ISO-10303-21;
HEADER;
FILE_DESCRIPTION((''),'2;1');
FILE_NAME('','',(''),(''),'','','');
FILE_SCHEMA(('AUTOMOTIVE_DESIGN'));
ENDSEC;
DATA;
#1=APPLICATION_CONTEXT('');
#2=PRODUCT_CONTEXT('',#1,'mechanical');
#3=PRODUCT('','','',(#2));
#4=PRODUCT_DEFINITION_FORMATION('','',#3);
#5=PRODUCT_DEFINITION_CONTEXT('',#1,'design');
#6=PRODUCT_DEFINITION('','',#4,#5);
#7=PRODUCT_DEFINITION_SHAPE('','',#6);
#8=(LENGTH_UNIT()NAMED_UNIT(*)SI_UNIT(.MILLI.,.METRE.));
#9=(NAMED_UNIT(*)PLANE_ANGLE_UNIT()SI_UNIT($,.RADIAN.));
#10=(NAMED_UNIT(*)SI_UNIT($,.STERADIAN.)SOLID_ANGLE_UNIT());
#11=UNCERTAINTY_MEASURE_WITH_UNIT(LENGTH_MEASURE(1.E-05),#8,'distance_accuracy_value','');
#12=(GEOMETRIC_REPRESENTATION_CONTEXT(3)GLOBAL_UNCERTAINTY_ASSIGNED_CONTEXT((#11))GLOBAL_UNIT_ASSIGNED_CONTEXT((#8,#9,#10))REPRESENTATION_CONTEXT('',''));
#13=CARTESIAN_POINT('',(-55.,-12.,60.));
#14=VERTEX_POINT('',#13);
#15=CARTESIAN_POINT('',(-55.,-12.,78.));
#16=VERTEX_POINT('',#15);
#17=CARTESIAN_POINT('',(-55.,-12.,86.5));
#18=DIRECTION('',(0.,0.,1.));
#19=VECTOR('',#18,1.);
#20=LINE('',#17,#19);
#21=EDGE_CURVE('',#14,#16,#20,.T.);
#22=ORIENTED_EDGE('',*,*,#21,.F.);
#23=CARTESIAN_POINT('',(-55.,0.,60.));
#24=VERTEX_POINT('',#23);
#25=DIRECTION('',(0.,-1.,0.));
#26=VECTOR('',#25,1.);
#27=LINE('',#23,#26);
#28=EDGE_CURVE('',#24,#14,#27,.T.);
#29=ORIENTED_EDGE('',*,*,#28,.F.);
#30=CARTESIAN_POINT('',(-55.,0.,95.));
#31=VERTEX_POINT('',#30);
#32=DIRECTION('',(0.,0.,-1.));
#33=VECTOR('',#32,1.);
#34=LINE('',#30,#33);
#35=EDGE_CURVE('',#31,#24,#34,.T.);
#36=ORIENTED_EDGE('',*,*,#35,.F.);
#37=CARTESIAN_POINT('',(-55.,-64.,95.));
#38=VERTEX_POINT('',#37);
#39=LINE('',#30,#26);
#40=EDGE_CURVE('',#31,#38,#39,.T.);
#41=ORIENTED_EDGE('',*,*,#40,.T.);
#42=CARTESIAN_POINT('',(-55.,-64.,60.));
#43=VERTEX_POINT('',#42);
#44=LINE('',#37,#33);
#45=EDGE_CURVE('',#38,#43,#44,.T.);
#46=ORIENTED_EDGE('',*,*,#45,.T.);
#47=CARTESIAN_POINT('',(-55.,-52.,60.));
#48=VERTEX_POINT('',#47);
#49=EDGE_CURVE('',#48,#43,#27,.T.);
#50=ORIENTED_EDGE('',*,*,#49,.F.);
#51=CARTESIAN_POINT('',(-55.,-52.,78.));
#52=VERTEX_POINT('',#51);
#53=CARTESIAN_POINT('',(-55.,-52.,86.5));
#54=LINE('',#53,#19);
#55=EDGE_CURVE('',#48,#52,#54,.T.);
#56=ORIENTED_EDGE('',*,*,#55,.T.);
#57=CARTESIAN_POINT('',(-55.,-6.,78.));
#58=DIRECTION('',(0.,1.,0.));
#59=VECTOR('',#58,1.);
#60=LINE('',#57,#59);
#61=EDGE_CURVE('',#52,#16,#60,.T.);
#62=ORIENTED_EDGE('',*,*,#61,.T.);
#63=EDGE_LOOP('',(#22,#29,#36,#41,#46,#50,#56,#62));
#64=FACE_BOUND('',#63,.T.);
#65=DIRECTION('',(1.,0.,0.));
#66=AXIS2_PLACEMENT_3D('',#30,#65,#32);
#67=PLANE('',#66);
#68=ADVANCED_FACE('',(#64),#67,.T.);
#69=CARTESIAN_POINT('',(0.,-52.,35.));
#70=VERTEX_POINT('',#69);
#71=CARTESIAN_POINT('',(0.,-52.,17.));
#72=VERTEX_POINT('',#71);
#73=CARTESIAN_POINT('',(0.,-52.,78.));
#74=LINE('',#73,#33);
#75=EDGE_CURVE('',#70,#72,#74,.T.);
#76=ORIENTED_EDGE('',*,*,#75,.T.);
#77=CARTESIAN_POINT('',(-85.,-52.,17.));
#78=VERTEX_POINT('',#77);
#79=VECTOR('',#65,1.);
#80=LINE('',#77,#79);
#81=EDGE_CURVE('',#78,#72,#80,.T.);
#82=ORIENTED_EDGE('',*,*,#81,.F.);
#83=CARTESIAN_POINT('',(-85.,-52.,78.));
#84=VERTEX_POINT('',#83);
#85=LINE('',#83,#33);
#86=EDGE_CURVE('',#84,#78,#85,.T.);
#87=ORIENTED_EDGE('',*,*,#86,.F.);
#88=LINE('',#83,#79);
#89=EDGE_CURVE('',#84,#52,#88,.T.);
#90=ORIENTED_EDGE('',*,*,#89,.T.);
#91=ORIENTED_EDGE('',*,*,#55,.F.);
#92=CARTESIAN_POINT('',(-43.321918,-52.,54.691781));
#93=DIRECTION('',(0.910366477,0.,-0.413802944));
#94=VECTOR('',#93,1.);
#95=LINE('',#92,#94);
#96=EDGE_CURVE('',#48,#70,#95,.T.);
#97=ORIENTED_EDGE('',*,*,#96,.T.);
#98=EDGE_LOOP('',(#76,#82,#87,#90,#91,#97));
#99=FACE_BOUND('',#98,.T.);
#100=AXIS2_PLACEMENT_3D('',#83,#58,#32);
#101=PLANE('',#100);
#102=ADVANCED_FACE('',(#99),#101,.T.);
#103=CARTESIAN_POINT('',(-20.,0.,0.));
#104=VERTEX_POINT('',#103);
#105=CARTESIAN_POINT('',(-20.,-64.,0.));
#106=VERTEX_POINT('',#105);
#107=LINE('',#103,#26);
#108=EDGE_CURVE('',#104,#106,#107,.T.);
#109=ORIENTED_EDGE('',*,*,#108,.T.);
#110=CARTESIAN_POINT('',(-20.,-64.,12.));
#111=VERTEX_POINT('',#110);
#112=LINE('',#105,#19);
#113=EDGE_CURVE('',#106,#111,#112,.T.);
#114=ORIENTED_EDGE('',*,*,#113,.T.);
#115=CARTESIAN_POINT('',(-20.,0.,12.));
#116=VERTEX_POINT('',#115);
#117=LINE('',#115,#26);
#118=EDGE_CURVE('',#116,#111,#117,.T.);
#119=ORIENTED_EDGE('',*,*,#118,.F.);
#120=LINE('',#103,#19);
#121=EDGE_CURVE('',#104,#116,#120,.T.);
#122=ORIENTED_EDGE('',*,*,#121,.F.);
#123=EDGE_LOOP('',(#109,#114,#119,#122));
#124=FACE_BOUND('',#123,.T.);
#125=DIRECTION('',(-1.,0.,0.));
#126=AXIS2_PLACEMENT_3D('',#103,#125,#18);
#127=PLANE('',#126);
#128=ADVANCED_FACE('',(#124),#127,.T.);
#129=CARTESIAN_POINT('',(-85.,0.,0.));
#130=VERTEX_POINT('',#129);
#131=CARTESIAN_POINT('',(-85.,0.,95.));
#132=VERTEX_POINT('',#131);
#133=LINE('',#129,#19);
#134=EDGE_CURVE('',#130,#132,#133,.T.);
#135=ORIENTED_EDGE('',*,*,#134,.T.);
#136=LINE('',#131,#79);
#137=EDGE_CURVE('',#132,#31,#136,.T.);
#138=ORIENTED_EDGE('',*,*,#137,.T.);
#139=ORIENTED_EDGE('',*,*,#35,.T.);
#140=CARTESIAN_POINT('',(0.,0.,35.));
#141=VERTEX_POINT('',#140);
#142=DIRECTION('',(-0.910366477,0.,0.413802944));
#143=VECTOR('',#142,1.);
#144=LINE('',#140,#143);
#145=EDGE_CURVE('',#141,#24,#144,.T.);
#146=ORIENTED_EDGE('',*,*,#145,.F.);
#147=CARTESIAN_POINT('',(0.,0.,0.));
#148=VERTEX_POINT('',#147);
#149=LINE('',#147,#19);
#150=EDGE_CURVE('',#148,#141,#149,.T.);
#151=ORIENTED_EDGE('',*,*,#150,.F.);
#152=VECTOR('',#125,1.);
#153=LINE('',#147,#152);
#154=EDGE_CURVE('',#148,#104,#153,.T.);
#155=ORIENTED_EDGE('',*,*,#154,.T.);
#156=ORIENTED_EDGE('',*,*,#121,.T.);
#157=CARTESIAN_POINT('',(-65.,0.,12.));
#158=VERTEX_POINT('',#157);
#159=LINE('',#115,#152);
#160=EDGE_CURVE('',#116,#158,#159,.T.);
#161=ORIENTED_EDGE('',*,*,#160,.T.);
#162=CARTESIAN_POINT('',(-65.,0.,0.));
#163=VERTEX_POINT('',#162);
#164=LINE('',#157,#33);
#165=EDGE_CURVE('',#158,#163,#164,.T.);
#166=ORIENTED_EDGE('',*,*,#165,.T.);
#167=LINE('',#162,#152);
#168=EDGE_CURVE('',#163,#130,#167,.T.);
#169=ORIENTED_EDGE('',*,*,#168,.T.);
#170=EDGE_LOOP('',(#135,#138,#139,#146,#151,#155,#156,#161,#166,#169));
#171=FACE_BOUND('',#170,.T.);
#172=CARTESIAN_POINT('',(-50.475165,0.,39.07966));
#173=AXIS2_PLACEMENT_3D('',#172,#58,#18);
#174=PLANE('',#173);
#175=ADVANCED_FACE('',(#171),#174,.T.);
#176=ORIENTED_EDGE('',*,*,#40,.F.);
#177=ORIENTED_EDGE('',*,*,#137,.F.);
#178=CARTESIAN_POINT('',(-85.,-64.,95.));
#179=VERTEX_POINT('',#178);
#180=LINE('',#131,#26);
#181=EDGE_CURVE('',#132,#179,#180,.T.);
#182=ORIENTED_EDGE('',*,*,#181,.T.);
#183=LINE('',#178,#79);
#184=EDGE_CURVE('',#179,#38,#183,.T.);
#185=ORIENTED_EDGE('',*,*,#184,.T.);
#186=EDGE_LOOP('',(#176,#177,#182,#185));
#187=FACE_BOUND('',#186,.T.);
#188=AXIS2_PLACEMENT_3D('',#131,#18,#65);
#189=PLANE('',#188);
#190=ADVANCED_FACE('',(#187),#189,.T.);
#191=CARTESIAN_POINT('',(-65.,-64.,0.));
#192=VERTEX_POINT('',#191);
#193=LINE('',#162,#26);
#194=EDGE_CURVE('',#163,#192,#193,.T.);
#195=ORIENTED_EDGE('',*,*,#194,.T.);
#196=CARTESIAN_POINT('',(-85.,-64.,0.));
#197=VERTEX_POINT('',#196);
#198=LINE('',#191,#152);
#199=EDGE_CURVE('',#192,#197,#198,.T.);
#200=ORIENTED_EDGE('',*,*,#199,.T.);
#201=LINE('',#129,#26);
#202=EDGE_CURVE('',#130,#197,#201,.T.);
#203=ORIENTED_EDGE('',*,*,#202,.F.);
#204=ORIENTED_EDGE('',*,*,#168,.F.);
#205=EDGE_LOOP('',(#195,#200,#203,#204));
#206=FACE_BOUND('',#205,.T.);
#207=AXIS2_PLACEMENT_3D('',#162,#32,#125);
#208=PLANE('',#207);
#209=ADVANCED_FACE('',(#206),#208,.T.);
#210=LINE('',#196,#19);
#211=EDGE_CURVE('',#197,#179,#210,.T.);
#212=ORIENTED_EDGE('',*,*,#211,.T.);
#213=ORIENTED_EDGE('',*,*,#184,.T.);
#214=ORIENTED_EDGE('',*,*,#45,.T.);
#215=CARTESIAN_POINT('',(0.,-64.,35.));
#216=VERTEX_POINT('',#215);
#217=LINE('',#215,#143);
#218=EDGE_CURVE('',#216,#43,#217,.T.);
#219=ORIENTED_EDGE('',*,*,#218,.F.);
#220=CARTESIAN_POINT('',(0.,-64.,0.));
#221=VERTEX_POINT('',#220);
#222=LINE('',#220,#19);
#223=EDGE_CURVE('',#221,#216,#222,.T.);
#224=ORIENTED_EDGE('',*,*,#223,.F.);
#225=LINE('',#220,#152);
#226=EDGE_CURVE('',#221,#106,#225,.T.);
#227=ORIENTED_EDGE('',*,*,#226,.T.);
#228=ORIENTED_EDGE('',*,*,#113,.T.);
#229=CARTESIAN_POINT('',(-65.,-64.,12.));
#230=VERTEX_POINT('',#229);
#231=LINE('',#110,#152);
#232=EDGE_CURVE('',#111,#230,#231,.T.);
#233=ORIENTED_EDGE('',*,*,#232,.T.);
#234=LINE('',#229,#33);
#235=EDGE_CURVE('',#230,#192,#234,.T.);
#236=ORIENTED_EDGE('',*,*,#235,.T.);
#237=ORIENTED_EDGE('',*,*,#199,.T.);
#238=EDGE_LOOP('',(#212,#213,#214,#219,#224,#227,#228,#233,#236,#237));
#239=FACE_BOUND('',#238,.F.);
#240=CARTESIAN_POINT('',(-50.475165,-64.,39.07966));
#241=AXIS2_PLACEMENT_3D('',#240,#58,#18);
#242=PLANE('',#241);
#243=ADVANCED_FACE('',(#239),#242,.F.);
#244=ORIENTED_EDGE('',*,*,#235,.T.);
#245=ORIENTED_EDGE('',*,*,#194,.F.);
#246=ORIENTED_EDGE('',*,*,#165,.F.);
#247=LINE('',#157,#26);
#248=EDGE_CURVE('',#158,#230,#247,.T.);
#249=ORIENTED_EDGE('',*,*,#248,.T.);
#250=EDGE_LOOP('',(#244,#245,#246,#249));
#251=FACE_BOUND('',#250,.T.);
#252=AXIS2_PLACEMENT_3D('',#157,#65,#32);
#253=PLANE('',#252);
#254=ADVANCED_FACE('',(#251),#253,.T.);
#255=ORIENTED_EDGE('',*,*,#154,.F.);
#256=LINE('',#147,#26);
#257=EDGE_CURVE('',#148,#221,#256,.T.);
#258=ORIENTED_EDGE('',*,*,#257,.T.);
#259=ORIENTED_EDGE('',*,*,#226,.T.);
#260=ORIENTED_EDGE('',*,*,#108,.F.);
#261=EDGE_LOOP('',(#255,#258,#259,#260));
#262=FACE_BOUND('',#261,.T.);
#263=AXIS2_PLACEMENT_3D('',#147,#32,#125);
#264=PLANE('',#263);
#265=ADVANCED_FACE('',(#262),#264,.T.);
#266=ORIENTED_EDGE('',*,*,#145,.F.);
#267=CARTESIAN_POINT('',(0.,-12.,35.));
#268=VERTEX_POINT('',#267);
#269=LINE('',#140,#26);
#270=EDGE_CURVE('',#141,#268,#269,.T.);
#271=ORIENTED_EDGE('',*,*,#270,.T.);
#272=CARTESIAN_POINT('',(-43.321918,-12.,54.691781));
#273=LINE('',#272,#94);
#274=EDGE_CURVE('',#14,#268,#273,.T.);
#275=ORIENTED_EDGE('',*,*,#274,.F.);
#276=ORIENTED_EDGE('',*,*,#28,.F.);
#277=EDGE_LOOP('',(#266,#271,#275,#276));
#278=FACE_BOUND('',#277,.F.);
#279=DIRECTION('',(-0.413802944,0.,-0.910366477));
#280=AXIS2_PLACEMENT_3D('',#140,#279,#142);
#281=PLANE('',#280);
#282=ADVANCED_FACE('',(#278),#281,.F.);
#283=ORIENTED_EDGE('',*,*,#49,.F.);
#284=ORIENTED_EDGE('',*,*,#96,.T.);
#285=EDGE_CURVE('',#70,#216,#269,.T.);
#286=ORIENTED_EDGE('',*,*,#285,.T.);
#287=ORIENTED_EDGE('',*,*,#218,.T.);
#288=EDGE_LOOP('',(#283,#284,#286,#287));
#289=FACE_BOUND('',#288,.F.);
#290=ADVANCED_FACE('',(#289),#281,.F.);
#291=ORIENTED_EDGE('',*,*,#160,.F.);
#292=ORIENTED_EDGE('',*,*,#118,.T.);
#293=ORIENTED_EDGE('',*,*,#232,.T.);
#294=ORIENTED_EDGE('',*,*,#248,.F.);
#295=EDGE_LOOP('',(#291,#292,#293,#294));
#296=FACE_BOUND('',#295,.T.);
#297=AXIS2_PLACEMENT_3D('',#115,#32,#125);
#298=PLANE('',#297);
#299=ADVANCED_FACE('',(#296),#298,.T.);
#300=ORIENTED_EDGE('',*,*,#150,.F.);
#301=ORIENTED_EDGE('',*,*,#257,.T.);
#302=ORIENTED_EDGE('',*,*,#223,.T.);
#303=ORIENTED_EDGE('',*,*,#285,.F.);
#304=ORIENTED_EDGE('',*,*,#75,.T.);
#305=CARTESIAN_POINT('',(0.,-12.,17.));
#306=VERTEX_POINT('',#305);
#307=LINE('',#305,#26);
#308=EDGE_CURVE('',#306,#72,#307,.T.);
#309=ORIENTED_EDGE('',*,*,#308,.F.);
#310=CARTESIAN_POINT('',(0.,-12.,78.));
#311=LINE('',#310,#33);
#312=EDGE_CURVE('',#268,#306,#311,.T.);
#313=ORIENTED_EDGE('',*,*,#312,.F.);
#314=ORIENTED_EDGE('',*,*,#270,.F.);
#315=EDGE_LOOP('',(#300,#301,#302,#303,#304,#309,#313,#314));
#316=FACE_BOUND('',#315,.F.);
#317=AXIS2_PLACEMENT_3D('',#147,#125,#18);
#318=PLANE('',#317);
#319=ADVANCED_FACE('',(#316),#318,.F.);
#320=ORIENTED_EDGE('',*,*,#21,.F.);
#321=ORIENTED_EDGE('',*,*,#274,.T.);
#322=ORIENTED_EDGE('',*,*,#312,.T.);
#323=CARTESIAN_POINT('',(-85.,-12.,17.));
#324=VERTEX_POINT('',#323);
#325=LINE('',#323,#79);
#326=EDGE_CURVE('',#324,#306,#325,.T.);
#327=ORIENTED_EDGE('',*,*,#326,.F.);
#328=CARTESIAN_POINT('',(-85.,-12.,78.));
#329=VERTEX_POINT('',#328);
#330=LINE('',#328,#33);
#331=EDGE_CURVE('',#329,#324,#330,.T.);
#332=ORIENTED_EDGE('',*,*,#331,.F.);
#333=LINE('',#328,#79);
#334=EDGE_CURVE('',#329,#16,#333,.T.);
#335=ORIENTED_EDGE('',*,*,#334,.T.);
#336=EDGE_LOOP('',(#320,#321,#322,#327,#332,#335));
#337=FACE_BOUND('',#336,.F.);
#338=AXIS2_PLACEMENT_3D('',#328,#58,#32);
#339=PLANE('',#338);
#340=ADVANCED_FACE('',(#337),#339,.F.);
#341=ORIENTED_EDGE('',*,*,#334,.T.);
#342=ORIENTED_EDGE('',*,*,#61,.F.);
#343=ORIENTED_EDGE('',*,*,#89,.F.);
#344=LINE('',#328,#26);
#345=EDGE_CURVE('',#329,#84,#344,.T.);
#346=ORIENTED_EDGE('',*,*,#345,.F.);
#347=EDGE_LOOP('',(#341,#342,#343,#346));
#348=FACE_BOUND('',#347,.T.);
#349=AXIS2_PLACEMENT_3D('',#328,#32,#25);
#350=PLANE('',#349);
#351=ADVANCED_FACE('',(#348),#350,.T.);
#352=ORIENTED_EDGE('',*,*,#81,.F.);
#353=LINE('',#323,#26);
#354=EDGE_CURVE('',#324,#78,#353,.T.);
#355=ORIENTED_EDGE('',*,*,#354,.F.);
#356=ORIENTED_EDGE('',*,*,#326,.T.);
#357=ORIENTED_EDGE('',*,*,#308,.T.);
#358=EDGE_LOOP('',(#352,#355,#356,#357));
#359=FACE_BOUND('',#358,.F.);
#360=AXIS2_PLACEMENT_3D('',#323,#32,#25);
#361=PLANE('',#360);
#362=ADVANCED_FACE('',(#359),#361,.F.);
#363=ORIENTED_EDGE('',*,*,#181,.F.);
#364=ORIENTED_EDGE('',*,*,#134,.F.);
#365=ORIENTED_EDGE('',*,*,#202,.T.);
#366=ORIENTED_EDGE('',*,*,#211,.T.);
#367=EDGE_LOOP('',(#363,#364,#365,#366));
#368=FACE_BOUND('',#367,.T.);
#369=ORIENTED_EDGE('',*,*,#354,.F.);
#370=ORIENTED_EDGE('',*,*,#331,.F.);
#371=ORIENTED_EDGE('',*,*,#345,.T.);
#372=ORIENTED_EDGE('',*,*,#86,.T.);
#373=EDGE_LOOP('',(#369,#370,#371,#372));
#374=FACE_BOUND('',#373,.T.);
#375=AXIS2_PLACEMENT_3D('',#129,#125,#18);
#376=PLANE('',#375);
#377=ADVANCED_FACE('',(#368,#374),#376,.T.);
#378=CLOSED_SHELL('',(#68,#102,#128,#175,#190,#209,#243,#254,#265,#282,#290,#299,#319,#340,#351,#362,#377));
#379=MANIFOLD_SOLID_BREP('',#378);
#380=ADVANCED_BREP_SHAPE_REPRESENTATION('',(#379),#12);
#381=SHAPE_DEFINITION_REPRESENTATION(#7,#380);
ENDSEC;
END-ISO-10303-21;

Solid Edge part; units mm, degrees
sketch "Sketch1" plane through (0, 0, 0) normal (0, -1, 0) x (1, 0, 0)
  line L0 (0, 0) -> (-20, 0)
  line L1 (-20, 0) -> (-20, 12)
  line L2 (-20, 12) -> (-65, 12)
  line L3 (-65, 12) -> (-65, 0)
  line L4 (-65, 0) -> (-85, 0)
  line L5 (-85, 0) -> (-85, 95)
  line L6 (-85, 95) -> (-55, 95)
  line L7 (-55, 95) -> (-55, 60)
  line L8 (0, 35) -> (-55, 60)
  line L9 (0, 0) -> (0, 35)
extrude "ProtrusiónExtruida_1" add sketch "Sketch1" along normal blind 64
sketch "Sketch2" plane through (-85, -32, 47.5) normal (-1, 0, 0) x (0, -1, 0)
  line L0 (-20, 30.5) -> (20, 30.5)
  line L1 (20, 30.5) -> (20, -30.5)
  line L2 (-20, -30.5) -> (20, -30.5)
  line L3 (-20, 30.5) -> (-20, -30.5)
extrude "VaciadoExtruido_1" cut sketch "Sketch2" against normal blind 85
